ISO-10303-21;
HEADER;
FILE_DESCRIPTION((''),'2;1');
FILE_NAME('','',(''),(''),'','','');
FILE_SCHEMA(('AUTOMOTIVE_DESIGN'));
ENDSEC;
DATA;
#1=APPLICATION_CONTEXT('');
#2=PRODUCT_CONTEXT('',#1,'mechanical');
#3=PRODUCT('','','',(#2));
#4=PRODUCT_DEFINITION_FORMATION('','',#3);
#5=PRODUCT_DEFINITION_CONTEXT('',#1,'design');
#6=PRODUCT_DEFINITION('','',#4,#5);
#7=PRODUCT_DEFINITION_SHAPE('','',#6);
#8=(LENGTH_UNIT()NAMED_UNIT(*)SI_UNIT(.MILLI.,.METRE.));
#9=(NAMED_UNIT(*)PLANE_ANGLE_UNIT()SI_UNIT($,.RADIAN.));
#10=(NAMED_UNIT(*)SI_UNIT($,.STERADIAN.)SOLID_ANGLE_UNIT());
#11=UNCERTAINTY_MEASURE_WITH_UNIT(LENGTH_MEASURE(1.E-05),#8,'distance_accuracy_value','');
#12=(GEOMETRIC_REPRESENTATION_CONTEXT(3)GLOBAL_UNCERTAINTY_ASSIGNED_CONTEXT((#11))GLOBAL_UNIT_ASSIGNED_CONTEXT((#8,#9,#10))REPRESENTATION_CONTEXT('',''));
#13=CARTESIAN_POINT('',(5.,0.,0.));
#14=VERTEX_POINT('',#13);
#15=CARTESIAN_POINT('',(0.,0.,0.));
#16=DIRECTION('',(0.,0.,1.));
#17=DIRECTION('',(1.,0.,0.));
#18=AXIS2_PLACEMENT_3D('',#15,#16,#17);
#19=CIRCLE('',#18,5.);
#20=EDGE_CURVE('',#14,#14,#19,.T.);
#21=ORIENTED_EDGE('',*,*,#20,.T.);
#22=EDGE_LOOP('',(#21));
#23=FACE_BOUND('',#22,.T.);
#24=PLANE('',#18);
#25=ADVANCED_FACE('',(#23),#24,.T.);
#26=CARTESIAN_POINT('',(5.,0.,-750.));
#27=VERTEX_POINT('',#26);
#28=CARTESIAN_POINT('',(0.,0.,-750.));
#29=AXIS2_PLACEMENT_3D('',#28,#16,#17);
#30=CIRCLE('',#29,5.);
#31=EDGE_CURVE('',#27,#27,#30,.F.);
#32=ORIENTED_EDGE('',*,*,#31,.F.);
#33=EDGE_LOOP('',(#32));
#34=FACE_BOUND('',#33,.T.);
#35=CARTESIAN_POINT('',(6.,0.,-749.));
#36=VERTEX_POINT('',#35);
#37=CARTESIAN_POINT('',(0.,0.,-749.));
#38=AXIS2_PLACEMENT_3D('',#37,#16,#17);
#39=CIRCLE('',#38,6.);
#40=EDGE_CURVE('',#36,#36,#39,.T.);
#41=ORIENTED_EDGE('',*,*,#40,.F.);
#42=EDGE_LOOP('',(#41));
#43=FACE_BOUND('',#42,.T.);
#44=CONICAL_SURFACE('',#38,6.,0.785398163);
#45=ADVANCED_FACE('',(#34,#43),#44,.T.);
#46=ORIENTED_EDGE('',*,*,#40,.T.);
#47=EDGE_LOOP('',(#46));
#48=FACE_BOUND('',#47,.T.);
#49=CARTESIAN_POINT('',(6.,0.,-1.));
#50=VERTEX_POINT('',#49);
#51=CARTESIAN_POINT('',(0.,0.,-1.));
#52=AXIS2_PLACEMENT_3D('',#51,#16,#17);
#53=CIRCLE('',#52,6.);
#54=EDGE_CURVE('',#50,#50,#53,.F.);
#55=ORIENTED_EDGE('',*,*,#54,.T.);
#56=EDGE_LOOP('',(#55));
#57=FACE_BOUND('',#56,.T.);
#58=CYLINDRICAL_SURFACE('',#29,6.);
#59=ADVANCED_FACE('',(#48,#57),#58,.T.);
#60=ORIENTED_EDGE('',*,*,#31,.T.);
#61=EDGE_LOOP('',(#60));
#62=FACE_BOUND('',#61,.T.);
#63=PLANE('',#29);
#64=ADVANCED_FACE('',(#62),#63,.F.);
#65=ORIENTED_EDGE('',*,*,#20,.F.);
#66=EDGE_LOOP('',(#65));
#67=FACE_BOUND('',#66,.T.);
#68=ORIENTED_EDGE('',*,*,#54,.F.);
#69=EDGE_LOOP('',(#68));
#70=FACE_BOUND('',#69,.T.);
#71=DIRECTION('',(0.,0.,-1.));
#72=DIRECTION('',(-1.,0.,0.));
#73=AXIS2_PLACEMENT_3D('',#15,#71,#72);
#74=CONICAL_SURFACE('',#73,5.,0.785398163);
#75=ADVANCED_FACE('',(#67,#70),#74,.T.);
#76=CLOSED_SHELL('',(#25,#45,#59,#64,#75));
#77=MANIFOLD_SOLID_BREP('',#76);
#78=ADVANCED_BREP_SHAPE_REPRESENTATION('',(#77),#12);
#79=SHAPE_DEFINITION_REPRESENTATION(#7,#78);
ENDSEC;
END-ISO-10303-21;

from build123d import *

# Parameters (mm, degrees)
SKETCH1_R          = 6
CORPO_DEPTH        = 750
CHANFROS_1X45_SIZE = 1


with BuildPart() as part:
    # Sketch1 → Corpo (new body)
    with BuildSketch(Plane.XY):
        Circle(SKETCH1_R)
    extrude(amount=-CORPO_DEPTH)

    # Chanfros 1x45°
    chanfros_1x45_edges = [part.edges().sort_by_distance(p)[0] for p in [
        (-6, 0, 0),
        (-6, 0, -750),
    ]]
    chamfer(chanfros_1x45_edges, length=CHANFROS_1X45_SIZE)


solid = part.part
